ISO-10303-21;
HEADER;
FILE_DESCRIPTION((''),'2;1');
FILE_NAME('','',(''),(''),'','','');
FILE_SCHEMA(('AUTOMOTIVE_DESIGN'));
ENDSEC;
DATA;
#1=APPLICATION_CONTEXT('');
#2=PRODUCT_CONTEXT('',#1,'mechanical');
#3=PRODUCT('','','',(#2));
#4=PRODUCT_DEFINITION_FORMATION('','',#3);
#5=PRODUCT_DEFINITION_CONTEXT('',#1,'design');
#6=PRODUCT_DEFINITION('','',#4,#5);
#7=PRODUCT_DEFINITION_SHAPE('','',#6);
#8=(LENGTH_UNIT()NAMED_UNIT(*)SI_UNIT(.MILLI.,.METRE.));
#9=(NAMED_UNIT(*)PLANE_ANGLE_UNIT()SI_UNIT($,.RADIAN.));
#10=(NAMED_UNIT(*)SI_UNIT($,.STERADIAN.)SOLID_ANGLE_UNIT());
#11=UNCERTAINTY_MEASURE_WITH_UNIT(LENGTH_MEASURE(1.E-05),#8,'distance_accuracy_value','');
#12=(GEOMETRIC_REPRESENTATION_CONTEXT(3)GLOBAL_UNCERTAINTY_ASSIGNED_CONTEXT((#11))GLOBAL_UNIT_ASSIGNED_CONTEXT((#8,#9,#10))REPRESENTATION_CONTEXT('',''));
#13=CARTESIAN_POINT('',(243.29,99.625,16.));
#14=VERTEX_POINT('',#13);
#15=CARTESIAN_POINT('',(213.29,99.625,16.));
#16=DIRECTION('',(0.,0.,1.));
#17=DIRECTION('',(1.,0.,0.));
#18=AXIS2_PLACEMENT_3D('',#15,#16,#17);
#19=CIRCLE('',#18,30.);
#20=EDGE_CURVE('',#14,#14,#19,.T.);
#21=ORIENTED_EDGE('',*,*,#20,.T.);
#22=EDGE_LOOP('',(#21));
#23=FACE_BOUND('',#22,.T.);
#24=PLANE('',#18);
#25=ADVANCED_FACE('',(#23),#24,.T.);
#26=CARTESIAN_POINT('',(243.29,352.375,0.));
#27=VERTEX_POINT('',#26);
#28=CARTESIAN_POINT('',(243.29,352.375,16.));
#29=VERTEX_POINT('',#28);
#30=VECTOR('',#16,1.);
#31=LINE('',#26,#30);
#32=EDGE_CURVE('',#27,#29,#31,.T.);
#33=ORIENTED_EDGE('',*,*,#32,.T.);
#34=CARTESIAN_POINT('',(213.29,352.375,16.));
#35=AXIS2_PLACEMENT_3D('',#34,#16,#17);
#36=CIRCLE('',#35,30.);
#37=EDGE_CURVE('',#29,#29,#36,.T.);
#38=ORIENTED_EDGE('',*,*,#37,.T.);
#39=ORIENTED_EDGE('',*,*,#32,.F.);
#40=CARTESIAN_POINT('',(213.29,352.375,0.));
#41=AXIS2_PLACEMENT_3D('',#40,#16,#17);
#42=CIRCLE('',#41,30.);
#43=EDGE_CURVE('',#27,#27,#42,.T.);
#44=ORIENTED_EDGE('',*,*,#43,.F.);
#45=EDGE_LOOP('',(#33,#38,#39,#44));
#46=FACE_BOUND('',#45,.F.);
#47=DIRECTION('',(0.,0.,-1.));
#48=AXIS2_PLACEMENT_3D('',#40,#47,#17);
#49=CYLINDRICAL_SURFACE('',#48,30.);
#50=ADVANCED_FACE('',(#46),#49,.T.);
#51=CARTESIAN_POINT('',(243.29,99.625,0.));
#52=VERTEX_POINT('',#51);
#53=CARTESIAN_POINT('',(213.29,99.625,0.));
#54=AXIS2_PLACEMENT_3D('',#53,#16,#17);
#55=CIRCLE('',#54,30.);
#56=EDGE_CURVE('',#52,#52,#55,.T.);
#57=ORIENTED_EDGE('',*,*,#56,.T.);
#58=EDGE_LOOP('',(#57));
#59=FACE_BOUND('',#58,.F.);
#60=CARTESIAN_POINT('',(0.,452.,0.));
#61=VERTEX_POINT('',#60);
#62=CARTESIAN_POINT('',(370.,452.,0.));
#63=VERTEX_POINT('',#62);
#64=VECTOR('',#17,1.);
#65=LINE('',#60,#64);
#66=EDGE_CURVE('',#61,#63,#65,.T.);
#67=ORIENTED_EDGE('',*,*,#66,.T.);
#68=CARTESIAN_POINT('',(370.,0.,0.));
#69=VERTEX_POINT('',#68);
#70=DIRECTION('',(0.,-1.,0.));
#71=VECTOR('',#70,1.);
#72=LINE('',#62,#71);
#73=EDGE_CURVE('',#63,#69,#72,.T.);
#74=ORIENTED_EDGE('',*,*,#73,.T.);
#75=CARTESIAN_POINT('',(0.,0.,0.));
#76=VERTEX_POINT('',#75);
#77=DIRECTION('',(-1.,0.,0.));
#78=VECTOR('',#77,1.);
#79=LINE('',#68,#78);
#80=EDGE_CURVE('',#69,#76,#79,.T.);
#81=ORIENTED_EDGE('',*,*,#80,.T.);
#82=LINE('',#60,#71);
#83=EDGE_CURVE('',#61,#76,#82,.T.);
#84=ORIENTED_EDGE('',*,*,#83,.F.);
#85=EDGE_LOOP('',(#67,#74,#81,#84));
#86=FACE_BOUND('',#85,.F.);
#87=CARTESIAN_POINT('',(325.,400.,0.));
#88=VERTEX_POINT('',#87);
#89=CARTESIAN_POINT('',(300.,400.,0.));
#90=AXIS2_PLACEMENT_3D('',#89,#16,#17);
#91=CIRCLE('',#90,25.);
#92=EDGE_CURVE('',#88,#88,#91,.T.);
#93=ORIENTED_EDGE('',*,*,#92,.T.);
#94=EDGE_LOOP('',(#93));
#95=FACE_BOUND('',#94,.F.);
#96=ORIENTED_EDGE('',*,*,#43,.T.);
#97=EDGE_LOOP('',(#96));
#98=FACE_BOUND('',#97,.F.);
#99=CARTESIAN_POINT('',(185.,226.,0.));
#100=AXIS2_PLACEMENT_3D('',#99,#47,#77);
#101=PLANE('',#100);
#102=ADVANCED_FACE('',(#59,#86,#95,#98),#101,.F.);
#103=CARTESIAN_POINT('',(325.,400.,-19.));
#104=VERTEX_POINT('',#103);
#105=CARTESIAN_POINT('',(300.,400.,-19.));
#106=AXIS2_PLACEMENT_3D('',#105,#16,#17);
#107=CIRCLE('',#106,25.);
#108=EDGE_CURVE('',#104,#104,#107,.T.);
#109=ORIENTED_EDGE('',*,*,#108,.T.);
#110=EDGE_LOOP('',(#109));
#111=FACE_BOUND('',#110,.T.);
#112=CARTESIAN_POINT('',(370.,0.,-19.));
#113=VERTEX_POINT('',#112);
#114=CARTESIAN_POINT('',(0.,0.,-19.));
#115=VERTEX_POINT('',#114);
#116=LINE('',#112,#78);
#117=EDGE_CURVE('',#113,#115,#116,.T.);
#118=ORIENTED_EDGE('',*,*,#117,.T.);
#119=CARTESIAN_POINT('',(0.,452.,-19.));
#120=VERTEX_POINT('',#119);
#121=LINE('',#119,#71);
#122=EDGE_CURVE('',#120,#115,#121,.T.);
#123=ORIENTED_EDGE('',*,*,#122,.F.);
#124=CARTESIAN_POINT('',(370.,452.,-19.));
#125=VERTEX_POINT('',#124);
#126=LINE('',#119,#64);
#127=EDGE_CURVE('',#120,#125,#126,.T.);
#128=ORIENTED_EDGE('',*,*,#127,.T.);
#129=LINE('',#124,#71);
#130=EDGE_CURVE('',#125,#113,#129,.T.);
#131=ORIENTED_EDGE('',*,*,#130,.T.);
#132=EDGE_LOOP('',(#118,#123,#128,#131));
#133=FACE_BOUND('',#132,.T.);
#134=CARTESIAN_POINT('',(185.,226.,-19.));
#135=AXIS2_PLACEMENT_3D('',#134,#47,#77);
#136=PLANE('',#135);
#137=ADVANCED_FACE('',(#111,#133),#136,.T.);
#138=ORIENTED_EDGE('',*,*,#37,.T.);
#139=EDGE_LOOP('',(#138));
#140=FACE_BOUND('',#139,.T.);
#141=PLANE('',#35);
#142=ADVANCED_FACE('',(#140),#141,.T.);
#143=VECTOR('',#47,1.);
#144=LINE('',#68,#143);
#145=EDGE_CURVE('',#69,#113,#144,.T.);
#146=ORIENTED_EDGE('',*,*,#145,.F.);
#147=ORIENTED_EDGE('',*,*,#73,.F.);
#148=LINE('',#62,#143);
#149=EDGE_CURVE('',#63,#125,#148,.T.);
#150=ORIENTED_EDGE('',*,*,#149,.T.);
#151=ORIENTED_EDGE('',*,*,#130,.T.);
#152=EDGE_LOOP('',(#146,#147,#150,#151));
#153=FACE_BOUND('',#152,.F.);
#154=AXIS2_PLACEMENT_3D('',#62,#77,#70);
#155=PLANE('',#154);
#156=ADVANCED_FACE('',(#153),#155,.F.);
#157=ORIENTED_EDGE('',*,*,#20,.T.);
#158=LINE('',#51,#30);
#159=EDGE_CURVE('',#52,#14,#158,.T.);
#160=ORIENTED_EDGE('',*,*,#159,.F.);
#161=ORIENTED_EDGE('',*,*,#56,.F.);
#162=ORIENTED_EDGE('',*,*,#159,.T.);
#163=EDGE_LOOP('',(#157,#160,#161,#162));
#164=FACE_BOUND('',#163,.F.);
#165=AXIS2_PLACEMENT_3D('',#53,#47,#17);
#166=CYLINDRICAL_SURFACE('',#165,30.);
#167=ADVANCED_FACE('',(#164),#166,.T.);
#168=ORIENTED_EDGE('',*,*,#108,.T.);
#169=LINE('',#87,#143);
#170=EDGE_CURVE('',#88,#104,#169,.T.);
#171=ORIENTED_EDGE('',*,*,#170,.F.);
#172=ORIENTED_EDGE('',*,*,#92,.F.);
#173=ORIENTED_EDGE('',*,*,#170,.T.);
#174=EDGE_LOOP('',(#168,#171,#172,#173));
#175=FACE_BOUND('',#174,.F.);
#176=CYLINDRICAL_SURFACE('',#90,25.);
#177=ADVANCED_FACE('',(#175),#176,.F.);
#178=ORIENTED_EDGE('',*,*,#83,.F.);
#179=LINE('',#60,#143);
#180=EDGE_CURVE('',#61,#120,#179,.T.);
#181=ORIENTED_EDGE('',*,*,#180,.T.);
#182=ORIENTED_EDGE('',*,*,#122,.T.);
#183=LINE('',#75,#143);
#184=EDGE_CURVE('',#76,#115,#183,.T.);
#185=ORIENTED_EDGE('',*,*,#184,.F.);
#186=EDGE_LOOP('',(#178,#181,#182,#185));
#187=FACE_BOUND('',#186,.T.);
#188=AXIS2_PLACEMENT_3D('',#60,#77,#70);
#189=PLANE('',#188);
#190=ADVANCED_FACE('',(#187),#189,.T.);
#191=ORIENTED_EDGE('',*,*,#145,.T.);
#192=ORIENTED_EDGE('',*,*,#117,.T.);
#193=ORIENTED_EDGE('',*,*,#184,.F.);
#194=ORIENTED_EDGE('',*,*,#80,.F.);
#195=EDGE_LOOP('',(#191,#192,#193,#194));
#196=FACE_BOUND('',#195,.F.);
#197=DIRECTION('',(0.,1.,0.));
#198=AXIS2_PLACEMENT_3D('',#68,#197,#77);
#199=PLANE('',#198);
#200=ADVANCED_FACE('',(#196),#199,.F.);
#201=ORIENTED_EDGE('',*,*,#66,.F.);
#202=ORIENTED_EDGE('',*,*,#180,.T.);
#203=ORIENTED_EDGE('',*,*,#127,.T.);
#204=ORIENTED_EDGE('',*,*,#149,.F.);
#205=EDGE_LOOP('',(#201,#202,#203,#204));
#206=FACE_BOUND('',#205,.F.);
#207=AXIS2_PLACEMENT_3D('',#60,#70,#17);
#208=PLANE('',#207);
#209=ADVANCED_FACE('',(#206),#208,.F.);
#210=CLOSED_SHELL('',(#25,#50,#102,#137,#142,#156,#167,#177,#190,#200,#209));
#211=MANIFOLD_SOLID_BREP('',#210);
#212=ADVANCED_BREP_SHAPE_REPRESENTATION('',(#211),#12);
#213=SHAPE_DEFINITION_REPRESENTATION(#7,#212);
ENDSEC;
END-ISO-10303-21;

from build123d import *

# Parameters (mm, degrees)
PAD_DEPTH    = 19
SKETCH002_R  = 25
POCKET_DEPTH = 19.001
SKETCH003_R  = 30
PAD001_DEPTH = 16


with BuildPart() as part:
    # Sketch → Pad (new body)
    with BuildSketch(Plane.XY):
        Polygon((0, 413.879036), (0, 452), (370, 452), (370, 0), (0, 0), align=None)
    extrude(amount=-PAD_DEPTH)

    # Sketch002 (on Face6 of Pad) → Pocket (cut, through all)
    with BuildSketch(Plane.XY):
        with Locations((300, 400)):
            Circle(SKETCH002_R)
    extrude(amount=-POCKET_DEPTH, mode=Mode.SUBTRACT)

    # Sketch003 (on Face4 of Pocket) → Pad001 (join)
    with BuildSketch(Plane.XY):
        with Locations((213.29, 352.375)):
            Circle(SKETCH003_R)
        with Locations((213.29, 99.625)):
            Circle(SKETCH003_R)
    extrude(amount=PAD001_DEPTH)


solid = part.part
